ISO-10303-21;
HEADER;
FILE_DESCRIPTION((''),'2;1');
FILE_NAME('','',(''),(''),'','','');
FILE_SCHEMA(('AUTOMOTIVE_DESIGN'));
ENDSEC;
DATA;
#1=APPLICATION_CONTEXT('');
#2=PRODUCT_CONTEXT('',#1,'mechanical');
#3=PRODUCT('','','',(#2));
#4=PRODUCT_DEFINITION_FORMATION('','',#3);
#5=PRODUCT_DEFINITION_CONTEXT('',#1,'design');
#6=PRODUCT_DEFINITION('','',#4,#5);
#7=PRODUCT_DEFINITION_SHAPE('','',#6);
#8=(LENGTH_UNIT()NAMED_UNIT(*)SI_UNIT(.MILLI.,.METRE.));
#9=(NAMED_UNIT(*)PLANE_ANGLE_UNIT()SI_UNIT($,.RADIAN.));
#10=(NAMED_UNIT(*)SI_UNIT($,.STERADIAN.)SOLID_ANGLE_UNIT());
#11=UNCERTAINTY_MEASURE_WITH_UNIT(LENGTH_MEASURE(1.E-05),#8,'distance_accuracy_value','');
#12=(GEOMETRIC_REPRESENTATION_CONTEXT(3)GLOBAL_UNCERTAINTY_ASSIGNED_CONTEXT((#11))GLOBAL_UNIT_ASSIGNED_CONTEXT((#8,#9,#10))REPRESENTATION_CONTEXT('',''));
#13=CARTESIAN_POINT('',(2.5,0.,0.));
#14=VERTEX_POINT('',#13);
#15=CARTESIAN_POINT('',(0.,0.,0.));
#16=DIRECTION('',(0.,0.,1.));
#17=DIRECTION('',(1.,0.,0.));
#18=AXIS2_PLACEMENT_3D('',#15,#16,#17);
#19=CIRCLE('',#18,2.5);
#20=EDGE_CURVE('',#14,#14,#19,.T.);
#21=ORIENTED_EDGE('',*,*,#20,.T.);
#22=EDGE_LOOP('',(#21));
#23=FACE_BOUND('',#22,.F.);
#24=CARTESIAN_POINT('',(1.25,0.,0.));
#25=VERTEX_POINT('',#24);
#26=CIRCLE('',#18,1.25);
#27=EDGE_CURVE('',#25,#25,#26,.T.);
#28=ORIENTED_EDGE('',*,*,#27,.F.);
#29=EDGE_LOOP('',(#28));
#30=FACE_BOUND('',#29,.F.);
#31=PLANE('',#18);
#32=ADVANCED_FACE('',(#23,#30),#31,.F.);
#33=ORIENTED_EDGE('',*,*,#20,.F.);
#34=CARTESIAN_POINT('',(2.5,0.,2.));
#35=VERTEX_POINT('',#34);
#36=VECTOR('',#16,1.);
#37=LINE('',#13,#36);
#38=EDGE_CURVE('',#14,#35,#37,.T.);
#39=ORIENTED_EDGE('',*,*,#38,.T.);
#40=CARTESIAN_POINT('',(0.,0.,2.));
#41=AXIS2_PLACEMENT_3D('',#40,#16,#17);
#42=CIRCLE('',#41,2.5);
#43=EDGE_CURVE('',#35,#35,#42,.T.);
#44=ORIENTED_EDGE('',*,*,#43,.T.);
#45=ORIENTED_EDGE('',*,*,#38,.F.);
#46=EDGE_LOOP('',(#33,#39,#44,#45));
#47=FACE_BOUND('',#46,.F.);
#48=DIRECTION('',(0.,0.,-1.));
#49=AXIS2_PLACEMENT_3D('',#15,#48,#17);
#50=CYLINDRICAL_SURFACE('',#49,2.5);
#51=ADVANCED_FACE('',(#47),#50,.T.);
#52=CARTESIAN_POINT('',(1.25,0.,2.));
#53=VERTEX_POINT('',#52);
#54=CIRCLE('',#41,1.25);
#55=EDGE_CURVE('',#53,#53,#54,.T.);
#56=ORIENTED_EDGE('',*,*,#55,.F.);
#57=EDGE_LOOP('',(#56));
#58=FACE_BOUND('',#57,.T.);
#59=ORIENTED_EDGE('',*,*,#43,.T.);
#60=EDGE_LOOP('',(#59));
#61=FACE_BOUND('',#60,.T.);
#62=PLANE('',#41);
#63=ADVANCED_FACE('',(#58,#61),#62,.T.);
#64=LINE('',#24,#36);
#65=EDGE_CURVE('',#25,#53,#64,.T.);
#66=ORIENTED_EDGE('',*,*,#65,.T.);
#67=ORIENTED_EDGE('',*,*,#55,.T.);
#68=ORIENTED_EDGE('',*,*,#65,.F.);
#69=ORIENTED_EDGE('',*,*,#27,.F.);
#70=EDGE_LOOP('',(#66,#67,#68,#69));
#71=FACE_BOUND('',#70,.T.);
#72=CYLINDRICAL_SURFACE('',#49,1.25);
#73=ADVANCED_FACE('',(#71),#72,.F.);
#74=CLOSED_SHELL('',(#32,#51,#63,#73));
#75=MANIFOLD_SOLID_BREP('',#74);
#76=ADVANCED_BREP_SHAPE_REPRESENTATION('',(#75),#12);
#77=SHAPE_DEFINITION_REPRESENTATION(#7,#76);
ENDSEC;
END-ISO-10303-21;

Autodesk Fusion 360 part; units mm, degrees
sketch "Sketch1" plane through (0, 0, 0) normal (0, 0, 1) x (1, 0, 0)
  circle A0 centre (0, 0) radius 1.25
  circle A1 centre (0, 0) radius 2.5
  dimension "d1" = 2.5
  dimension "d2" = 5
extrude "Extrude1" add sketch "Sketch1" along normal blind 2
